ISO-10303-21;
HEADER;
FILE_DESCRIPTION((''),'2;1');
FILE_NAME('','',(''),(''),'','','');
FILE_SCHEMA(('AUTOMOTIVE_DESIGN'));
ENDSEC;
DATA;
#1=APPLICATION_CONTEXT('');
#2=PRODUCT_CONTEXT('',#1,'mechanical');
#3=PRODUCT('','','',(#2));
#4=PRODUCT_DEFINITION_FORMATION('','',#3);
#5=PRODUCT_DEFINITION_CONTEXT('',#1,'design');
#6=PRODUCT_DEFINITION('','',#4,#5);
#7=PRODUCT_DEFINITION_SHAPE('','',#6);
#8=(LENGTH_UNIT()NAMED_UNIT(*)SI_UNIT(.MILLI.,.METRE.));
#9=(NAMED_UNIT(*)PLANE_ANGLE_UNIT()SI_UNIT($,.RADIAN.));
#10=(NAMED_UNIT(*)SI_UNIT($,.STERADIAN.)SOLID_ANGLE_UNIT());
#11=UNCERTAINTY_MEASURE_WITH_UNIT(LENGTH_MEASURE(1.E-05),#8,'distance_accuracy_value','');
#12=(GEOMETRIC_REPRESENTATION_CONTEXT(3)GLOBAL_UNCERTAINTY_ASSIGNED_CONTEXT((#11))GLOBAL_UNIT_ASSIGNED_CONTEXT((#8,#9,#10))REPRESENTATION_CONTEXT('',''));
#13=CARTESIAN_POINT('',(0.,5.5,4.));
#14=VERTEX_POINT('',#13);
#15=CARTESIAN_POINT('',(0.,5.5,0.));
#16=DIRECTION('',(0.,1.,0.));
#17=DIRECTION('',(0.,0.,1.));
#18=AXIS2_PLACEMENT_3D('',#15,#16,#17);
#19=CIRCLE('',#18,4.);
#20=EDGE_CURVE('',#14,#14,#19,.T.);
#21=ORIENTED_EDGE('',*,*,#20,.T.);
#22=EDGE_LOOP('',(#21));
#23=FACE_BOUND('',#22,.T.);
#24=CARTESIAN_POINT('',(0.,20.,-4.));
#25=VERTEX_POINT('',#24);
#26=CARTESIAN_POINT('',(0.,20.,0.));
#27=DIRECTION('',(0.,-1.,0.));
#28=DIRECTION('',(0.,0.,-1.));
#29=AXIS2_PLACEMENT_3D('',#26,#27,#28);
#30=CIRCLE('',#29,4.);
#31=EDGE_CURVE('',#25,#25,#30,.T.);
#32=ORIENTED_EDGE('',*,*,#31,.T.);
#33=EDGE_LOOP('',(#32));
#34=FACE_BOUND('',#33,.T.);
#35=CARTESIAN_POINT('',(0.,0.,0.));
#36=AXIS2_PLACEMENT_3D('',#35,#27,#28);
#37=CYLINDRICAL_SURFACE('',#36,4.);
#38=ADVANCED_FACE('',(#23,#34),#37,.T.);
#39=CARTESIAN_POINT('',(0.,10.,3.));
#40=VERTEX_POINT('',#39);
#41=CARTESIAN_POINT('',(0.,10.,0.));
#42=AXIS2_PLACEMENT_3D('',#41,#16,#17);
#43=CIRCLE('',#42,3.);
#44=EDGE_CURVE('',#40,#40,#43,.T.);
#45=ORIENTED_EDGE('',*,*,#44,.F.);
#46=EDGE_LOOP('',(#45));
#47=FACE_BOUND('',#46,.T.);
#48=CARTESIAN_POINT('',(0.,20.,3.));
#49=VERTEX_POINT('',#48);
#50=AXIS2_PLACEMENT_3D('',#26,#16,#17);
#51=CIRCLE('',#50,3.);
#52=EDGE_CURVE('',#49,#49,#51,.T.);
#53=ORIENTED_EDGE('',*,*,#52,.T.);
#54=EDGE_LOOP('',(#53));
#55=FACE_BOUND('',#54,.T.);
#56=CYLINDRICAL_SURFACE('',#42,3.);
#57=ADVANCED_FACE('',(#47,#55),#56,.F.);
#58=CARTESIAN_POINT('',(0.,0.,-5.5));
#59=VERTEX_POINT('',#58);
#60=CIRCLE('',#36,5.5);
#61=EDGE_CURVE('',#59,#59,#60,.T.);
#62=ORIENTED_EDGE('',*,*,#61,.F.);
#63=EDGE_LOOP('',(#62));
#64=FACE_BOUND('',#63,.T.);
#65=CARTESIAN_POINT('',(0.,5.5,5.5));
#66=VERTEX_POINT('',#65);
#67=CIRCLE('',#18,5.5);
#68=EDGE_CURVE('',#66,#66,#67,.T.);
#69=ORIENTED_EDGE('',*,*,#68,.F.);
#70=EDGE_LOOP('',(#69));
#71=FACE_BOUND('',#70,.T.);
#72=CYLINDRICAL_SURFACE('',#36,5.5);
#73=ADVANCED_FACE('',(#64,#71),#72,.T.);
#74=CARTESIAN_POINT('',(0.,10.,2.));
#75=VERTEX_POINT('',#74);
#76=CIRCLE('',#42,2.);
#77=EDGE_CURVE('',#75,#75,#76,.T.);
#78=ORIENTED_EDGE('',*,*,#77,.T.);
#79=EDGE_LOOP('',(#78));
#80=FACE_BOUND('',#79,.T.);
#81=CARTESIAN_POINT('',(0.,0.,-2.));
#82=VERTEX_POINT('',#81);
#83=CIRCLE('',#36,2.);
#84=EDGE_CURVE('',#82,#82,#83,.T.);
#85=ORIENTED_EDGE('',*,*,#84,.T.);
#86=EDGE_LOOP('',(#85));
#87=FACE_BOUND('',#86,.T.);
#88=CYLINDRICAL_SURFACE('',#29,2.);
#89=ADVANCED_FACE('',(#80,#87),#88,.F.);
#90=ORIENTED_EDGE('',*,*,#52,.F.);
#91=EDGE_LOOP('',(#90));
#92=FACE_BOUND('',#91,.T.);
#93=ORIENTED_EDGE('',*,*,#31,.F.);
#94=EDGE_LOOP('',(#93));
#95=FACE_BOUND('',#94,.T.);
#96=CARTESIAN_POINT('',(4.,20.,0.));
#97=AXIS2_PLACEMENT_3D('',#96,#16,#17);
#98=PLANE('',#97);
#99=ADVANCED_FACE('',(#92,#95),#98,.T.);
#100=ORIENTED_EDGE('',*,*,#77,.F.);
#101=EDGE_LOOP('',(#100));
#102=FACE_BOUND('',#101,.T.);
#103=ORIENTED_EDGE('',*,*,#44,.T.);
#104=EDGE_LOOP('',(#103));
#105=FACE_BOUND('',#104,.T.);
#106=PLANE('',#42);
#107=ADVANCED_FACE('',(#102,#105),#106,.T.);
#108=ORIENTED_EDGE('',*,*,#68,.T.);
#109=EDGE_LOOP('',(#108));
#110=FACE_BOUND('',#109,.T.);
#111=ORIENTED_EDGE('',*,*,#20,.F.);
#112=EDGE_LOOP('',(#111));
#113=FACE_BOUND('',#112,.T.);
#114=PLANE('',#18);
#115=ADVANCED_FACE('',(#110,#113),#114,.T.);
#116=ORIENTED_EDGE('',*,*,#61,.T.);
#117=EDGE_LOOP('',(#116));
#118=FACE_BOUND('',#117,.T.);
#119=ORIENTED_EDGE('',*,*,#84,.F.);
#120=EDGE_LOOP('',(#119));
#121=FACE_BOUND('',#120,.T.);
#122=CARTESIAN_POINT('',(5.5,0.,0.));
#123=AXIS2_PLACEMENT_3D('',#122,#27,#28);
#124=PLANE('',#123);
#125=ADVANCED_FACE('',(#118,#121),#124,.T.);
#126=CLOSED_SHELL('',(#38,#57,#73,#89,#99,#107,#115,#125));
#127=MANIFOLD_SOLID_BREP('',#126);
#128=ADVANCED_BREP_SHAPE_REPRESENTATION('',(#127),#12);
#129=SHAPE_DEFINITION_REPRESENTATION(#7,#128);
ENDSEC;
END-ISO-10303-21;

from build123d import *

# Parameters (mm, degrees)
SKETCH_2_R          = 3
CUT_EXTRUDE_1_DEPTH = 10
SKETCH_3_R          = 2
CUT_EXTRUDE_2_DEPTH = 21
SKETCH_4_R          = 5.5
SKETCH_4_R_2        = 4
CUT_EXTRUDE_3_DEPTH = 5.5


with BuildPart() as part:
    # Эскиз1 → Повернуть1 (revolve)
    with BuildSketch(Plane.XY):
        Polygon((4, 20), (4, 11), (5.5, 11), (5.5, 0), (0, 0), (0, 20), align=None)
    revolve(axis=Axis((0, 0, 0), (0, 1, 0)))

    # Эскиз2 → Вырез-Вытянуть1 (cut)
    with BuildSketch(Plane(origin=(0, 20, 0), x_dir=(1, 0, 0), z_dir=(0, 1, 0))):
        Circle(SKETCH_2_R)
    extrude(amount=-CUT_EXTRUDE_1_DEPTH, mode=Mode.SUBTRACT)

    # Эскиз3 → Вырез-Вытянуть2 (cut, through all)
    with BuildSketch(Plane.XZ):
        Circle(SKETCH_3_R)
    extrude(amount=-CUT_EXTRUDE_2_DEPTH, mode=Mode.SUBTRACT)

    # Эскиз4 → Вырез-Вытянуть3 (cut)
    with BuildSketch(Plane(origin=(0, 11, 0), x_dir=(1, 0, 0), z_dir=(0, 1, 0))):
        Circle(SKETCH_4_R)
        Circle(SKETCH_4_R_2, mode=Mode.SUBTRACT)
    extrude(amount=-CUT_EXTRUDE_3_DEPTH, mode=Mode.SUBTRACT)


solid = part.part
